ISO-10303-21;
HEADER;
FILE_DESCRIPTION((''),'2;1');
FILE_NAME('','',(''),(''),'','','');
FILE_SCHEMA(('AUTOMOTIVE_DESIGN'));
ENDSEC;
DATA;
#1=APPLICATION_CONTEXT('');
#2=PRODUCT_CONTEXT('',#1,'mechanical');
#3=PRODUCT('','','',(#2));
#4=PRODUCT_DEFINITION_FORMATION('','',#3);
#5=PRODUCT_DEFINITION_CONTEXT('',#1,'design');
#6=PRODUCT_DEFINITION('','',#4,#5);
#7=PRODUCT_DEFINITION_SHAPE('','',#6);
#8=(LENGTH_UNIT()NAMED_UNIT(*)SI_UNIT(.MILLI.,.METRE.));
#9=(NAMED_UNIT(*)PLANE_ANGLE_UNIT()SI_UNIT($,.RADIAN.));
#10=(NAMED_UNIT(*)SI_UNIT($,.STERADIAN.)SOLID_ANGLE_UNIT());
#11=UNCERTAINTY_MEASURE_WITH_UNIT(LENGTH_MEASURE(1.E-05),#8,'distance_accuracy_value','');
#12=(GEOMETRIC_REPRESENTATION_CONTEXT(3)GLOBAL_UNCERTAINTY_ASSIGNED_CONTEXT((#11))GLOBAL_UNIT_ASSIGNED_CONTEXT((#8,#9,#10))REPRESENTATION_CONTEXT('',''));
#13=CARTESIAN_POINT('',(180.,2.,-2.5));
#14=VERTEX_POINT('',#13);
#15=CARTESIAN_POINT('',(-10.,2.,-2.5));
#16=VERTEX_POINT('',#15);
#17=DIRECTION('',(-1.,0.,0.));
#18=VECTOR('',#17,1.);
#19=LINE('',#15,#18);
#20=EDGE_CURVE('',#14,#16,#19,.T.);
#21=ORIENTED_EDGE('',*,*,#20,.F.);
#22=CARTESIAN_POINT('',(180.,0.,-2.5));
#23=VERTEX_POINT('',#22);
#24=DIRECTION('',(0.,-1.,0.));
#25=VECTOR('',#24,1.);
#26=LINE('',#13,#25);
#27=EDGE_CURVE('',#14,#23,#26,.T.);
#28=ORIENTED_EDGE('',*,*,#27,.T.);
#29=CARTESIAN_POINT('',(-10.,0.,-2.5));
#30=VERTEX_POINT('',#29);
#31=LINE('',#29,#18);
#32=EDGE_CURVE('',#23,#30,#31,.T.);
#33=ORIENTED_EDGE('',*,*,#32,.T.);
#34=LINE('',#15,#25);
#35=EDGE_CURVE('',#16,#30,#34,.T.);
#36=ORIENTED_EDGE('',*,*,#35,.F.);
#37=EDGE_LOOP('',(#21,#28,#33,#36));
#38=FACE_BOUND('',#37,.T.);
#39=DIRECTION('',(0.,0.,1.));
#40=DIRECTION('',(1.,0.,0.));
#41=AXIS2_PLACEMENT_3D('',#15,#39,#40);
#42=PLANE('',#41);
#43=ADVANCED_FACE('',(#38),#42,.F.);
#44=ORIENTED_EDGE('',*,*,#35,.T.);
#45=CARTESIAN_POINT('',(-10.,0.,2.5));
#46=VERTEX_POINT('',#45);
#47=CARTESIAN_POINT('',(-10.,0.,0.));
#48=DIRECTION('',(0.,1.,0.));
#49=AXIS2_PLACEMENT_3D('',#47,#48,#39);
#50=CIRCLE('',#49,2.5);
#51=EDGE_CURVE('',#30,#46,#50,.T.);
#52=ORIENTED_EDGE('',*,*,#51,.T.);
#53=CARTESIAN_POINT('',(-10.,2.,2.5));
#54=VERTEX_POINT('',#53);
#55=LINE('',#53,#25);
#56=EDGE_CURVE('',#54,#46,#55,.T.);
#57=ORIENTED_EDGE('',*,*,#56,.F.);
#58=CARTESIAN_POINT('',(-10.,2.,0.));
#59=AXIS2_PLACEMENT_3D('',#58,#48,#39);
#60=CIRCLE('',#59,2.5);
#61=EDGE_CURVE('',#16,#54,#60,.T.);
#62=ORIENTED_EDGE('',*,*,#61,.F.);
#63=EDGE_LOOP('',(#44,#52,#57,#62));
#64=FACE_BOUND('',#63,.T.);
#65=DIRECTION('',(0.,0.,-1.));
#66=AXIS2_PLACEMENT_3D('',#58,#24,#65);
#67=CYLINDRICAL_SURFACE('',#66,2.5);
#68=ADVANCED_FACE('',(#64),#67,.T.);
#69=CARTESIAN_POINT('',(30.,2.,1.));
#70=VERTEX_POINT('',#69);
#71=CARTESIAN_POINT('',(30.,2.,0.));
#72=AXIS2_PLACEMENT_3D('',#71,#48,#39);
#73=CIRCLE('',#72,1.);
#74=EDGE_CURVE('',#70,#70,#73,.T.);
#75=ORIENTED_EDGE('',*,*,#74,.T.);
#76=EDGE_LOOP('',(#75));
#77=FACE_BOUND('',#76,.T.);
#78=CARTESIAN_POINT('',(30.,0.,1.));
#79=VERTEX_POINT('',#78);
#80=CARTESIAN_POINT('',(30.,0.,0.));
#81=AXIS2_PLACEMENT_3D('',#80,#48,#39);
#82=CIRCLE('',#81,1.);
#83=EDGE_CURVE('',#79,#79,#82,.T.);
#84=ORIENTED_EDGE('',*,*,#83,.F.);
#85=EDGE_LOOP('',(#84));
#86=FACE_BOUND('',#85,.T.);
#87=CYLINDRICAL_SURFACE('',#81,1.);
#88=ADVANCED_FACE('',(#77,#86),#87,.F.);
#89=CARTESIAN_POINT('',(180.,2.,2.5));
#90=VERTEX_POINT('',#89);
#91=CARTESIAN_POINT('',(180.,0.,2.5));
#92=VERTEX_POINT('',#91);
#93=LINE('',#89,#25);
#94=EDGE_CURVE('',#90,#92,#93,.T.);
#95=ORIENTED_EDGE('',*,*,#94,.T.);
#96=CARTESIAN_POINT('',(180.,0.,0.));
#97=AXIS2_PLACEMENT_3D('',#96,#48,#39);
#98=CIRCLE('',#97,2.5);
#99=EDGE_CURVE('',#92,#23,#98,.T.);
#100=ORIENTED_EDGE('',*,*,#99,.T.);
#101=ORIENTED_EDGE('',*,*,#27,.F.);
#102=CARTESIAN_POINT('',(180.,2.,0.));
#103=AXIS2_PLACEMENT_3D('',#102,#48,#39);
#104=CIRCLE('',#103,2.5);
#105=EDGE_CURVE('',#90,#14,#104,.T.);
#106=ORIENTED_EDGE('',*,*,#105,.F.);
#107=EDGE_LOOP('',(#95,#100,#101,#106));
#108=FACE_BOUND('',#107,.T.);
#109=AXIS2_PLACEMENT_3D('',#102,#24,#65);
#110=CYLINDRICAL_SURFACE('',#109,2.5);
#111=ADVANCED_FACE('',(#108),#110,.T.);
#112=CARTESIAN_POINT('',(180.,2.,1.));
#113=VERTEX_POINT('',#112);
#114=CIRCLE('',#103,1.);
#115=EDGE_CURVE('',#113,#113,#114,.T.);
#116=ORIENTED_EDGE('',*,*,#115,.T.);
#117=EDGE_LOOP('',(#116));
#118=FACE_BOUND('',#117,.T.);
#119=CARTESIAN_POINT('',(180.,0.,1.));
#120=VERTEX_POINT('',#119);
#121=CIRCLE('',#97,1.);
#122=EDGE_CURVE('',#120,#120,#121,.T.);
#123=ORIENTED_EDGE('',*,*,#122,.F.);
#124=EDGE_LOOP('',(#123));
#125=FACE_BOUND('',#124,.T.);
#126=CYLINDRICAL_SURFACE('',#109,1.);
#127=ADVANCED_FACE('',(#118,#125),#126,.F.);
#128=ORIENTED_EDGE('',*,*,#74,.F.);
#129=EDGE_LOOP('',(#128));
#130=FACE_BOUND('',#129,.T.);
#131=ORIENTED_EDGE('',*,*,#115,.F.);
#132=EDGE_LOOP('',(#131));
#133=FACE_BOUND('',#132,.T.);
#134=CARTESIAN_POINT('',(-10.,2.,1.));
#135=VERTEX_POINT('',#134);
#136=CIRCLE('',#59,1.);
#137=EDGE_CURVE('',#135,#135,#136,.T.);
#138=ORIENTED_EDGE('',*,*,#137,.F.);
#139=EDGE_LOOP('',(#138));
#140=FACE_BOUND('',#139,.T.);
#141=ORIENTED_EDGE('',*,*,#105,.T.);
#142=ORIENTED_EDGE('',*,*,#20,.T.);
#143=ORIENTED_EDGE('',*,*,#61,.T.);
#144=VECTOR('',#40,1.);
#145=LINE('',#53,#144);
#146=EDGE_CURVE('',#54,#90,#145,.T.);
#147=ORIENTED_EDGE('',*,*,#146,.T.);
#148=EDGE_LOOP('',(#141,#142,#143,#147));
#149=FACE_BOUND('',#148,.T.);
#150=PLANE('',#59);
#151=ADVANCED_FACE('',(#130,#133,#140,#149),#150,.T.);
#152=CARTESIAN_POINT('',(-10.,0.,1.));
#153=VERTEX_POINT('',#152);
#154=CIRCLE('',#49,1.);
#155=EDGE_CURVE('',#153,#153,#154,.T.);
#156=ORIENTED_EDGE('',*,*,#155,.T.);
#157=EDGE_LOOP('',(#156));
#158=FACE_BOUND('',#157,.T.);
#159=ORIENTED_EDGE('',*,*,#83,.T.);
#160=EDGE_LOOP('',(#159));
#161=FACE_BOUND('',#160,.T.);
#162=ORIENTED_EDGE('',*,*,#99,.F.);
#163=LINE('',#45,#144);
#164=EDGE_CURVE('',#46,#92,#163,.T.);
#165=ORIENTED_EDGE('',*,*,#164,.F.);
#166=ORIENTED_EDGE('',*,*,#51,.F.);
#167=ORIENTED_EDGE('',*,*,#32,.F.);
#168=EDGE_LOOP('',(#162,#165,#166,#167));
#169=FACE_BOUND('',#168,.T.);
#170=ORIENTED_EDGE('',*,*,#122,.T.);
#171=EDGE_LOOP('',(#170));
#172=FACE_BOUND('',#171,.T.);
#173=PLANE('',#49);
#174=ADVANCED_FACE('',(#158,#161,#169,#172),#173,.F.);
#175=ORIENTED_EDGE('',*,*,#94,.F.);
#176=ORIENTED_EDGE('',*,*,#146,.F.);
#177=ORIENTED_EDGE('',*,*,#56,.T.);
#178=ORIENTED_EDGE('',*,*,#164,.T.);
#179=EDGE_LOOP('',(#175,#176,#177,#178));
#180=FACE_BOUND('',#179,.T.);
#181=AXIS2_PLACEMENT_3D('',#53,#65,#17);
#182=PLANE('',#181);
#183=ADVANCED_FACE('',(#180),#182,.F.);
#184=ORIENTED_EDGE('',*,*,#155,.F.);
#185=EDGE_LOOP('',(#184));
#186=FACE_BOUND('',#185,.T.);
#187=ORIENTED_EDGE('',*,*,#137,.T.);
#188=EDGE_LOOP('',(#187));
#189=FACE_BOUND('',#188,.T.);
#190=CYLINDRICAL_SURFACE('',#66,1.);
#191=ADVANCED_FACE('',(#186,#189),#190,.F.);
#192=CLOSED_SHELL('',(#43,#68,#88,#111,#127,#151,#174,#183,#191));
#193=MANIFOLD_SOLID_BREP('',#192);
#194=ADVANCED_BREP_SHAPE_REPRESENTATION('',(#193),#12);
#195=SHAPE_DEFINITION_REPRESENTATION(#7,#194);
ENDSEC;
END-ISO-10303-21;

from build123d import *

# Parameters (mm, degrees)
SKETCH1_R           = 1
BOSS_EXTRUDE1_DEPTH = 2
SKETCH2_R           = 1
CUT_EXTRUDE1_DEPTH  = 183.528080032


with BuildPart() as part:
    # Sketch1 → Boss-Extrude1 (new body)
    with BuildSketch(Plane(origin=(0, 0, 0), x_dir=(1, 0, 0), z_dir=(0, 1, 0))):
        with BuildLine():
            Line((-10, 2.5), (180, 2.5))
            ThreePointArc((180, 2.5), (182.5, 0), (180, -2.5))
            Line((180, -2.5), (-10, -2.5))
            ThreePointArc((-10, -2.5), (-12.5, 0), (-10, 2.5))
        make_face()
        with Locations(Location((180, 0, 0), (0, 0, 270))):
            Circle(SKETCH1_R, mode=Mode.SUBTRACT)
        with Locations(Location((-10, 0, 0), (0, 0, 270))):
            Circle(SKETCH1_R, mode=Mode.SUBTRACT)
    extrude(amount=BOSS_EXTRUDE1_DEPTH)

    # Sketch2 → Cut-Extrude1 (cut, through all)
    with BuildSketch(Plane(origin=(0, 2, 0), x_dir=(1, 0, 0), z_dir=(0, 1, 0))):
        with Locations(Location((30, 0, 0), (0, 0, 270))):
            Circle(SKETCH2_R)
    extrude(amount=-CUT_EXTRUDE1_DEPTH, mode=Mode.SUBTRACT)


solid = part.part
